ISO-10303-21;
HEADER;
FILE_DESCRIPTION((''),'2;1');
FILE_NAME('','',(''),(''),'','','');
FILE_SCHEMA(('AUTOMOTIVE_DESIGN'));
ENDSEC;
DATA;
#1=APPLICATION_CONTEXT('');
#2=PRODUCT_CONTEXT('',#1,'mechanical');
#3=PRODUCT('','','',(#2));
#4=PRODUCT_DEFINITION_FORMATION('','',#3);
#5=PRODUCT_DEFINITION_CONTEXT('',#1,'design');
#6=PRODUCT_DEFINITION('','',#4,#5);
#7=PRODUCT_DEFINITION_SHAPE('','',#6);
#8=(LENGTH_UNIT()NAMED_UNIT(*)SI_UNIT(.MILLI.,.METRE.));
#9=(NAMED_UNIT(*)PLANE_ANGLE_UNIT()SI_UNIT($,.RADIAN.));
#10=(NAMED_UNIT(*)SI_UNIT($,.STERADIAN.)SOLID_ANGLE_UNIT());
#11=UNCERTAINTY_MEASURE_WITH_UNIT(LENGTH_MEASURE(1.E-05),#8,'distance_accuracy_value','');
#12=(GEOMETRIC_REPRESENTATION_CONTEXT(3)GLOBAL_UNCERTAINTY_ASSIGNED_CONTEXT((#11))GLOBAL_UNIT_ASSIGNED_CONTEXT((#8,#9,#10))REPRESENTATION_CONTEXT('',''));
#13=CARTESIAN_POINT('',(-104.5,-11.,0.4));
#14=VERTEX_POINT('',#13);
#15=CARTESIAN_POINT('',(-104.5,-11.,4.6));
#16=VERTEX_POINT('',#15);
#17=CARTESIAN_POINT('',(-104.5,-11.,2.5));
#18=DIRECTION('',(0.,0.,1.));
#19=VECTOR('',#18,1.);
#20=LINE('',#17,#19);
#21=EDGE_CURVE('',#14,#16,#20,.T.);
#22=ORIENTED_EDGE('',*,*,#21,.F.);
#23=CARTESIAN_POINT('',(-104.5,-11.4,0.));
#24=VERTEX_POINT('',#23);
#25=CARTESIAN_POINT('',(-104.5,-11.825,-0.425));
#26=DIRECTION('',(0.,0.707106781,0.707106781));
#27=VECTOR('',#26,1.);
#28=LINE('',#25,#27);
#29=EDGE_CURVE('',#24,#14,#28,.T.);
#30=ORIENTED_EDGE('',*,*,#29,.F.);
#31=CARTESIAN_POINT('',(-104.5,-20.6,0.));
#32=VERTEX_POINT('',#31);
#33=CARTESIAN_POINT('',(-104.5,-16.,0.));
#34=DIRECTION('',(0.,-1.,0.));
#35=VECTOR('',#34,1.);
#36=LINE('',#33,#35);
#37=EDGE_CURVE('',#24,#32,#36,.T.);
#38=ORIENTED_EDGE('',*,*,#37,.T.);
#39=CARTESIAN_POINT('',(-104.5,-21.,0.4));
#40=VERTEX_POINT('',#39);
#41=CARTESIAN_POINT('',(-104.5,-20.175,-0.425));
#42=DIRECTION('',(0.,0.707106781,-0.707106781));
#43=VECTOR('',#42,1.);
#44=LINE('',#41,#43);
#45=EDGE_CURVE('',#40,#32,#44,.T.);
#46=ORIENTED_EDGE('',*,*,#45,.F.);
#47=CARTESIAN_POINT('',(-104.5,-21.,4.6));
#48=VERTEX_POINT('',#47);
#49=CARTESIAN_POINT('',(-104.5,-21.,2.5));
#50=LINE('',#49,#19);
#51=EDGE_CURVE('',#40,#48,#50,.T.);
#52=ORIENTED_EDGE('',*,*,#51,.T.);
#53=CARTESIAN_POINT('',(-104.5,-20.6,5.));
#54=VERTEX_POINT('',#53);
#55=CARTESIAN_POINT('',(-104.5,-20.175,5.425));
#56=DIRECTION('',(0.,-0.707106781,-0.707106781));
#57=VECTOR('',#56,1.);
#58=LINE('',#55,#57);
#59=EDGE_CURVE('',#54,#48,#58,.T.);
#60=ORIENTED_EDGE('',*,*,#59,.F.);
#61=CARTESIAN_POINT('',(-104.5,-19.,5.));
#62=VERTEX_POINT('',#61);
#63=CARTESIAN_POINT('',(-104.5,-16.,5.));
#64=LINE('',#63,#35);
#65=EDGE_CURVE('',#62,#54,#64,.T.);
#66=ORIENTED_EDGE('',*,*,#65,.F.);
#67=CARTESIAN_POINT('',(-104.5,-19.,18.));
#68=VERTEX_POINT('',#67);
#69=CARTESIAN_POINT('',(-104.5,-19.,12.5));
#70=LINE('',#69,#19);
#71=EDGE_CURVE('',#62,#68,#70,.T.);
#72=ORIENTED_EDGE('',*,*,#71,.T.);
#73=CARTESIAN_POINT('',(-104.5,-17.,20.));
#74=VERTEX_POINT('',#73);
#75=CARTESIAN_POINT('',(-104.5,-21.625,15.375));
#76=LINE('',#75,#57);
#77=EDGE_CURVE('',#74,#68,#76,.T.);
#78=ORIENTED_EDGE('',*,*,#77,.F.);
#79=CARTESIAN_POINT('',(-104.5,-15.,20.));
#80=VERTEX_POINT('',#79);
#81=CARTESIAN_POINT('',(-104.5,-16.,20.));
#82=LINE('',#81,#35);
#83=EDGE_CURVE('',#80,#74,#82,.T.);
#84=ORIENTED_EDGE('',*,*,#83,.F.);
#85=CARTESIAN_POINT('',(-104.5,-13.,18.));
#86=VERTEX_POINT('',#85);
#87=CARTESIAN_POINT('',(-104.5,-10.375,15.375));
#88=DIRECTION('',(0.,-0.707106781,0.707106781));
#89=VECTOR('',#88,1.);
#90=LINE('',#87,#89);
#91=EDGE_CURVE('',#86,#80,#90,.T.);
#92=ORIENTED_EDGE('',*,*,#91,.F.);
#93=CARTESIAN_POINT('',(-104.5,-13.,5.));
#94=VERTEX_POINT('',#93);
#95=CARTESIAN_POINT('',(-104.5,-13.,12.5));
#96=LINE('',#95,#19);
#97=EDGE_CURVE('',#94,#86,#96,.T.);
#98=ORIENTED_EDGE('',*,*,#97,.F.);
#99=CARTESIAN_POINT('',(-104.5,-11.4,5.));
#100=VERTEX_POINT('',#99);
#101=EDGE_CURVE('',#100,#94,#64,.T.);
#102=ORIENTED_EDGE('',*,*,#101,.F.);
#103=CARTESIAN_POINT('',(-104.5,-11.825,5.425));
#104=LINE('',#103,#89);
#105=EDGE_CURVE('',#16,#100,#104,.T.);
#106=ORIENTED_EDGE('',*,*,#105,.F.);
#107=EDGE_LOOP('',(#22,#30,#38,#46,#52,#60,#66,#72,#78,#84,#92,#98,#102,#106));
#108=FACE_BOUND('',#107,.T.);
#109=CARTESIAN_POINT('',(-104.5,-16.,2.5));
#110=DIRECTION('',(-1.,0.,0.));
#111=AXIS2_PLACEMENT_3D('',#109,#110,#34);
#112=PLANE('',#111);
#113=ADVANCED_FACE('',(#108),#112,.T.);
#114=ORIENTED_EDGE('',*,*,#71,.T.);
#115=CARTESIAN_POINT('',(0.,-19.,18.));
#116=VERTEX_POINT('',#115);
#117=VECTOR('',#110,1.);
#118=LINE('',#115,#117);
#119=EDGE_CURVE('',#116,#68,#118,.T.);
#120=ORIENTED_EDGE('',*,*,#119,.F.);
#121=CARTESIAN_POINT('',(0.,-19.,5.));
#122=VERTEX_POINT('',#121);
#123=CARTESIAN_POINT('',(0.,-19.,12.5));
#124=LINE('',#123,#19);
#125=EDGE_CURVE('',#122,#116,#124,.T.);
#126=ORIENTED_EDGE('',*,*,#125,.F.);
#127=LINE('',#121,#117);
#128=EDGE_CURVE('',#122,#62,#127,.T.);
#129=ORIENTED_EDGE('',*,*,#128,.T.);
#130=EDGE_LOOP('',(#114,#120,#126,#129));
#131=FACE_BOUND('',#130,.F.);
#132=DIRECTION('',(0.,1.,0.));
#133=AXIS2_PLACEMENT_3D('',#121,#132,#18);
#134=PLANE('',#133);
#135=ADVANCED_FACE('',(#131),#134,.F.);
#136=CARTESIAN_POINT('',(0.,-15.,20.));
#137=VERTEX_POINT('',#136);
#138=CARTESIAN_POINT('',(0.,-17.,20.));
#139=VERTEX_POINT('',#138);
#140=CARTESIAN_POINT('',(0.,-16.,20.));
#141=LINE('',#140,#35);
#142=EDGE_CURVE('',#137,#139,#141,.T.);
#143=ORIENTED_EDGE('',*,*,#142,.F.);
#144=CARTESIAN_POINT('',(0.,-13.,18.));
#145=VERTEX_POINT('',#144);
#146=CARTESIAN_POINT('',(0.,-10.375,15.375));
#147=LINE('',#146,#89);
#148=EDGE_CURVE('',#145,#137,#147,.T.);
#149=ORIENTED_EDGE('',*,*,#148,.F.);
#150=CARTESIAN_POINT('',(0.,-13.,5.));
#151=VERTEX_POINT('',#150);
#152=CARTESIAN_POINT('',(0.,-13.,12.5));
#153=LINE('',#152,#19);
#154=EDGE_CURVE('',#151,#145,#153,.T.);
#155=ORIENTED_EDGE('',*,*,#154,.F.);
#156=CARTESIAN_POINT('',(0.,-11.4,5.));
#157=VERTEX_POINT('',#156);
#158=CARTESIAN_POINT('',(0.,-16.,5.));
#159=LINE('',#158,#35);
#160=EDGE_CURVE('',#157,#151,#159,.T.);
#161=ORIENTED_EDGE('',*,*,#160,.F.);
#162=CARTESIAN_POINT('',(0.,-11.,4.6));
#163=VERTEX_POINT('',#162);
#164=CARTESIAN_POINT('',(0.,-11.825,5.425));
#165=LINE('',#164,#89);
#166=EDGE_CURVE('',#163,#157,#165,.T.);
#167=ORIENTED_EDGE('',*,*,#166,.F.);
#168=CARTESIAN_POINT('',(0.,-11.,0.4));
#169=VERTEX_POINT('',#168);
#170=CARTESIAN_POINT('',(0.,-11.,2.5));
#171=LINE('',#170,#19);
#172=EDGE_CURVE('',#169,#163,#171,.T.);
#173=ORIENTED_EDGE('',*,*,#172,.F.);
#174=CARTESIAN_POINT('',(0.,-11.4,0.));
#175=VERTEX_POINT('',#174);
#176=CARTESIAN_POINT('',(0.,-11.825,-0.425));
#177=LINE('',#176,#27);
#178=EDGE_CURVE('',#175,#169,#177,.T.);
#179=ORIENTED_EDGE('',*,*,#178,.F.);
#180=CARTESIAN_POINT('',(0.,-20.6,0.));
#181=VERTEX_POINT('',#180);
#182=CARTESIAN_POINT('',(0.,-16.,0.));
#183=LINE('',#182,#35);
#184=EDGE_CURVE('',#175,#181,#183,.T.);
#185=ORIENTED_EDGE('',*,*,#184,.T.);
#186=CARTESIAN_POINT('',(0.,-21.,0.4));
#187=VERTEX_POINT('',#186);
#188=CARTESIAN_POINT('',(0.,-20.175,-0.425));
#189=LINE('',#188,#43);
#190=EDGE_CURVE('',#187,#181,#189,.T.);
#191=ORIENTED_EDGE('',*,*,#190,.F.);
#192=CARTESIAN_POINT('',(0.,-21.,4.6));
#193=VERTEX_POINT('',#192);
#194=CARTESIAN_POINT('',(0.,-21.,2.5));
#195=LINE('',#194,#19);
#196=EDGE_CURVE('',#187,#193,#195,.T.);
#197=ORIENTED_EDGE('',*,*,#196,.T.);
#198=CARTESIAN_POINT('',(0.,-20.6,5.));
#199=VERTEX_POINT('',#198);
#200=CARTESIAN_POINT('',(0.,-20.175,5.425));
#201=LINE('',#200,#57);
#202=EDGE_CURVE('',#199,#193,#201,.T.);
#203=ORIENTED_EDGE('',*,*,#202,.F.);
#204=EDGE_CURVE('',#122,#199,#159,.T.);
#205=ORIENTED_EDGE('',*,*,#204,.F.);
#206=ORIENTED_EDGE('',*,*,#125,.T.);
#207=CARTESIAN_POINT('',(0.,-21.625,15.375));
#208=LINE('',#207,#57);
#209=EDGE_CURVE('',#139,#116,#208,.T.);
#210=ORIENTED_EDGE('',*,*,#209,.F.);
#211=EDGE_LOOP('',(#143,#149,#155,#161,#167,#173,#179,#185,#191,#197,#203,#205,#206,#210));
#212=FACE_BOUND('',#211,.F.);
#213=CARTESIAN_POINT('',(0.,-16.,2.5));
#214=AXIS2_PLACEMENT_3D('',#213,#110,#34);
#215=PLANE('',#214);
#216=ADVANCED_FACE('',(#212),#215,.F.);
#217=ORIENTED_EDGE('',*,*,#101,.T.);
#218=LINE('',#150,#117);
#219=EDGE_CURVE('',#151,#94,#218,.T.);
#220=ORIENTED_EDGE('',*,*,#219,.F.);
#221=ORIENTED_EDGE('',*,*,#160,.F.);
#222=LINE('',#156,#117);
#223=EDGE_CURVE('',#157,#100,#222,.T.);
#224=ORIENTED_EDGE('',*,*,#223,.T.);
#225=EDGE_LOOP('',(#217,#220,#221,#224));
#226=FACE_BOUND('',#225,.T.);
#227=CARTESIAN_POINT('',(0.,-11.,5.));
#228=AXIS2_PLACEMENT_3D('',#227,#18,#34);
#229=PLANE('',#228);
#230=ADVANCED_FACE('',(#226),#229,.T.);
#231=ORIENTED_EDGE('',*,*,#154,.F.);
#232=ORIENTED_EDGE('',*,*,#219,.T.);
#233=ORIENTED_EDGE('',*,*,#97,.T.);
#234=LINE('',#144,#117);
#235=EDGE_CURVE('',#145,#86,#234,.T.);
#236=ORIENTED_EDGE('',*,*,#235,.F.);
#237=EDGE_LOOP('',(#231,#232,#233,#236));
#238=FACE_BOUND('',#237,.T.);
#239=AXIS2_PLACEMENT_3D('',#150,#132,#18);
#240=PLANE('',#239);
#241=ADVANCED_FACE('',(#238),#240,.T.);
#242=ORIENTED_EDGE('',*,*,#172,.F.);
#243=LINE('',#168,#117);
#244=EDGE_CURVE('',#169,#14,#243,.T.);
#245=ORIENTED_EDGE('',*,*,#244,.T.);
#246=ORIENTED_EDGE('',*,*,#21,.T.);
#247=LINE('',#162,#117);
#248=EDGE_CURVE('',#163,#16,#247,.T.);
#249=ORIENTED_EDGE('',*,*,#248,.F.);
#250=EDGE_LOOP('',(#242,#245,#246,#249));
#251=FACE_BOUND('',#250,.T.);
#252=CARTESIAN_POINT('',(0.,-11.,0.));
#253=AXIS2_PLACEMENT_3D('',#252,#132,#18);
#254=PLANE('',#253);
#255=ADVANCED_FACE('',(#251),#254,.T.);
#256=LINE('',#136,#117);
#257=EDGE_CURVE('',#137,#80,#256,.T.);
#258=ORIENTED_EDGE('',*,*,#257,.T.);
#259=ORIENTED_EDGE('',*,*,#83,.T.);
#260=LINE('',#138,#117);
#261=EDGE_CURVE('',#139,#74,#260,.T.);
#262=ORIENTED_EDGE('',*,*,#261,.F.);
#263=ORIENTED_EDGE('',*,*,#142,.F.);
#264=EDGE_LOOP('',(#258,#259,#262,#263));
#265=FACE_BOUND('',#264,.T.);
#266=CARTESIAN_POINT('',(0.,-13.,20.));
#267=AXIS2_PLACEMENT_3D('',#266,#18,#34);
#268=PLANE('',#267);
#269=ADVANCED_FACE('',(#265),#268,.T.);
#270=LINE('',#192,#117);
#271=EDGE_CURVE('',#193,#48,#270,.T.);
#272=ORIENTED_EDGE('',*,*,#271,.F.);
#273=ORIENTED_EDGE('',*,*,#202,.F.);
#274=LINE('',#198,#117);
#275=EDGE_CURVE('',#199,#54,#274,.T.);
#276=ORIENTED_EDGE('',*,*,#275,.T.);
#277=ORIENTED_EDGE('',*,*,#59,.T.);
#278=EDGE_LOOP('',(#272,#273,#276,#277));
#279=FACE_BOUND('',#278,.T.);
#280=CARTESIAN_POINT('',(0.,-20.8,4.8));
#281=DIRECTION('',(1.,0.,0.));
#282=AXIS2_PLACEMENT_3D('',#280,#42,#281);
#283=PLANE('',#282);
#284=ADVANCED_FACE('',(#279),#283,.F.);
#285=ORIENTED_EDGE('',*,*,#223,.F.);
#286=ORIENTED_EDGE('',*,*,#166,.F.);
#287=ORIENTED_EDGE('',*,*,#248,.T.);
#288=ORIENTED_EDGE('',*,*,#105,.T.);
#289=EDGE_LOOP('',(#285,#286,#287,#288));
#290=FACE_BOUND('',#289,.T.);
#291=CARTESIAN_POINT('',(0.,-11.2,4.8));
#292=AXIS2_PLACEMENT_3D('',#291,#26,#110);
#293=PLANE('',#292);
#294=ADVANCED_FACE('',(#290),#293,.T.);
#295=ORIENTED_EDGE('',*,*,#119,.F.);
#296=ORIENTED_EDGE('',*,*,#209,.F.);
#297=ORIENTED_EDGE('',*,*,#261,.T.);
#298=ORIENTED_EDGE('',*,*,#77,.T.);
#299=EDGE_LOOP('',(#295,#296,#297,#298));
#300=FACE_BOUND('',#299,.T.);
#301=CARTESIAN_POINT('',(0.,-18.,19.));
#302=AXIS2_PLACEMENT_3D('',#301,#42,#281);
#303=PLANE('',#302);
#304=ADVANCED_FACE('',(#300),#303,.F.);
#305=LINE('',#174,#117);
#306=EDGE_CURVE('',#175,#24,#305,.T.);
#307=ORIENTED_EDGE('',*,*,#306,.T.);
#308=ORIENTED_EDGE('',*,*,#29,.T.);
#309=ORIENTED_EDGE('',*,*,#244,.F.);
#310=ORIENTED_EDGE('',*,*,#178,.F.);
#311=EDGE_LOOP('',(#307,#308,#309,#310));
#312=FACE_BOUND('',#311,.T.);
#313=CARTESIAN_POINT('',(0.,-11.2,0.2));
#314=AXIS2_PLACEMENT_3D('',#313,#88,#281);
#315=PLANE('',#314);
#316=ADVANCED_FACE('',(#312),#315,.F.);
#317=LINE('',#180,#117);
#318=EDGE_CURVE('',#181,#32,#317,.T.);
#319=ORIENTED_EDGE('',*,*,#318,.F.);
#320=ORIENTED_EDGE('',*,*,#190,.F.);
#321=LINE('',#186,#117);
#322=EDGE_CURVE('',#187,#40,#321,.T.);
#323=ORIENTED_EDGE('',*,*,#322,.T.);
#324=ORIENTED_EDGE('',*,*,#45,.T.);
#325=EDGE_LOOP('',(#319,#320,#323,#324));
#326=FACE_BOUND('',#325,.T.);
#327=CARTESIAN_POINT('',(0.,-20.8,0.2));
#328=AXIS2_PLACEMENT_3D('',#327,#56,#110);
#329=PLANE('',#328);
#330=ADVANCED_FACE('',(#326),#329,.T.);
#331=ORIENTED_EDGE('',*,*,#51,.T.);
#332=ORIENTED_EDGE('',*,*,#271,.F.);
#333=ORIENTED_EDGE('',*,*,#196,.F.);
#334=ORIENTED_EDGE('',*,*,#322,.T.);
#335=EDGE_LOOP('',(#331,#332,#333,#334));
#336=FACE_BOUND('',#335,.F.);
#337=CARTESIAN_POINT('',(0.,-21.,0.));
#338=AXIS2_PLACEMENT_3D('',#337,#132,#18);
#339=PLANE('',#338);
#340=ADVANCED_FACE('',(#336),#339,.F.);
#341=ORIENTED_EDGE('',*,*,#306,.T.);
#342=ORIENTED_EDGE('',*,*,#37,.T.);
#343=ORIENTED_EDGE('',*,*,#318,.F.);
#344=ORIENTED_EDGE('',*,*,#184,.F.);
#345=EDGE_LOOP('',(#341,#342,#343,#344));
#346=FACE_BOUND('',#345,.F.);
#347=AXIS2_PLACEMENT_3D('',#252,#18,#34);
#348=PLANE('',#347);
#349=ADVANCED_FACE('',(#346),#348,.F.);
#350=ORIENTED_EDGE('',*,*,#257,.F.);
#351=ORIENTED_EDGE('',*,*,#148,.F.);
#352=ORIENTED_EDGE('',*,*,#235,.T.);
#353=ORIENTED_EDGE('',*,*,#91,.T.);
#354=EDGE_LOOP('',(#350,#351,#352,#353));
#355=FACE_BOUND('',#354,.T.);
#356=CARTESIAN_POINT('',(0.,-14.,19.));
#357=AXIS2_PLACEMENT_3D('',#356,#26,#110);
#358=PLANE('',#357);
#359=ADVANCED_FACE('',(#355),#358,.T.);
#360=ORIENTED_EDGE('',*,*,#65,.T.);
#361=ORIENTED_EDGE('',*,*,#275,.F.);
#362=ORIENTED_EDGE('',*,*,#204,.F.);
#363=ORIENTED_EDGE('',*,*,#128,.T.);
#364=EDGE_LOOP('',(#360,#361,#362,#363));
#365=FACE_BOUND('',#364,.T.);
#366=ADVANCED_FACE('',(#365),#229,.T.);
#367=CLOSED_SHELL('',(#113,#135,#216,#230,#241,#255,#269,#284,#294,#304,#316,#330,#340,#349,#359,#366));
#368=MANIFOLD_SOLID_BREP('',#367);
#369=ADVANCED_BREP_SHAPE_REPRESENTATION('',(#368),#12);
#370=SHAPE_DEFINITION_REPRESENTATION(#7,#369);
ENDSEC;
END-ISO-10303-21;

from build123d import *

# Parameters (mm, degrees)
BOX029_W                      = 6
BOX029_H                      = 15
BOX029_DEPTH                  = 104.5
BOX028_W                      = 10
BOX028_H                      = 5
BOX028_DEPTH                  = 104.5
CHAMFER005026_SIZE            = 2
CHAMFER005027_SIZE            = 0.4
CHAMFER005027_ROLL_ANGLE      = 90
CHAMFER005027_PLACEMENT_ANGLE = -90


with BuildPart() as cube029:
    # Box029 → Box029 (new body)
    with BuildSketch(Plane(origin=(-3, 5, 0), x_dir=(1, 0, 0), z_dir=(0, 0, 1))):
        with Locations((3, 7.5)):
            Rectangle(BOX029_W, BOX029_H)
    extrude(amount=BOX029_DEPTH)


with BuildPart() as f_104d5_channel:
    # Box028 → Box028 (new body)
    with BuildSketch(Plane(origin=(-5, 0, 0), x_dir=(1, 0, 0), z_dir=(0, 0, 1))):
        with Locations((5, 2.5)):
            Rectangle(BOX028_W, BOX028_H)
    extrude(amount=BOX028_DEPTH)

    # Fusion020006007003002013006002005002002015002016009: union Cube029
    add(cube029.part)

    # Chamfer005026
    chamfer005026_edges = [f_104d5_channel.edges().sort_by_distance(p)[0] for p in [
        (-3, 20, 52.25),
        (3, 20, 52.25),
    ]]
    chamfer(chamfer005026_edges, length=CHAMFER005026_SIZE)

    # Chamfer005027
    chamfer005027_edges = [f_104d5_channel.edges().sort_by_distance(p)[0] for p in [
        (-5, 5, 52.25),
        (-5, 0, 52.25),
        (5, 5, 52.25),
        (5, 0, 52.25),
    ]]
    chamfer(chamfer005027_edges, length=CHAMFER005027_SIZE)


with BuildPart() as f_104d5_channel_1:
    # Chamfer005027 roll: moved
    add(f_104d5_channel.part.rotate(Axis((0, 0, 0), (1, 0, 0)), CHAMFER005027_ROLL_ANGLE))


with BuildPart() as f_104d5_channel_2:
    # Chamfer005027 placement: moved
    add(f_104d5_channel_1.part.moved(Location((0, -16, 0))).rotate(Axis((0, -16, 0), (0, 0, 1)), CHAMFER005027_PLACEMENT_ANGLE))


solid = f_104d5_channel_2.part
